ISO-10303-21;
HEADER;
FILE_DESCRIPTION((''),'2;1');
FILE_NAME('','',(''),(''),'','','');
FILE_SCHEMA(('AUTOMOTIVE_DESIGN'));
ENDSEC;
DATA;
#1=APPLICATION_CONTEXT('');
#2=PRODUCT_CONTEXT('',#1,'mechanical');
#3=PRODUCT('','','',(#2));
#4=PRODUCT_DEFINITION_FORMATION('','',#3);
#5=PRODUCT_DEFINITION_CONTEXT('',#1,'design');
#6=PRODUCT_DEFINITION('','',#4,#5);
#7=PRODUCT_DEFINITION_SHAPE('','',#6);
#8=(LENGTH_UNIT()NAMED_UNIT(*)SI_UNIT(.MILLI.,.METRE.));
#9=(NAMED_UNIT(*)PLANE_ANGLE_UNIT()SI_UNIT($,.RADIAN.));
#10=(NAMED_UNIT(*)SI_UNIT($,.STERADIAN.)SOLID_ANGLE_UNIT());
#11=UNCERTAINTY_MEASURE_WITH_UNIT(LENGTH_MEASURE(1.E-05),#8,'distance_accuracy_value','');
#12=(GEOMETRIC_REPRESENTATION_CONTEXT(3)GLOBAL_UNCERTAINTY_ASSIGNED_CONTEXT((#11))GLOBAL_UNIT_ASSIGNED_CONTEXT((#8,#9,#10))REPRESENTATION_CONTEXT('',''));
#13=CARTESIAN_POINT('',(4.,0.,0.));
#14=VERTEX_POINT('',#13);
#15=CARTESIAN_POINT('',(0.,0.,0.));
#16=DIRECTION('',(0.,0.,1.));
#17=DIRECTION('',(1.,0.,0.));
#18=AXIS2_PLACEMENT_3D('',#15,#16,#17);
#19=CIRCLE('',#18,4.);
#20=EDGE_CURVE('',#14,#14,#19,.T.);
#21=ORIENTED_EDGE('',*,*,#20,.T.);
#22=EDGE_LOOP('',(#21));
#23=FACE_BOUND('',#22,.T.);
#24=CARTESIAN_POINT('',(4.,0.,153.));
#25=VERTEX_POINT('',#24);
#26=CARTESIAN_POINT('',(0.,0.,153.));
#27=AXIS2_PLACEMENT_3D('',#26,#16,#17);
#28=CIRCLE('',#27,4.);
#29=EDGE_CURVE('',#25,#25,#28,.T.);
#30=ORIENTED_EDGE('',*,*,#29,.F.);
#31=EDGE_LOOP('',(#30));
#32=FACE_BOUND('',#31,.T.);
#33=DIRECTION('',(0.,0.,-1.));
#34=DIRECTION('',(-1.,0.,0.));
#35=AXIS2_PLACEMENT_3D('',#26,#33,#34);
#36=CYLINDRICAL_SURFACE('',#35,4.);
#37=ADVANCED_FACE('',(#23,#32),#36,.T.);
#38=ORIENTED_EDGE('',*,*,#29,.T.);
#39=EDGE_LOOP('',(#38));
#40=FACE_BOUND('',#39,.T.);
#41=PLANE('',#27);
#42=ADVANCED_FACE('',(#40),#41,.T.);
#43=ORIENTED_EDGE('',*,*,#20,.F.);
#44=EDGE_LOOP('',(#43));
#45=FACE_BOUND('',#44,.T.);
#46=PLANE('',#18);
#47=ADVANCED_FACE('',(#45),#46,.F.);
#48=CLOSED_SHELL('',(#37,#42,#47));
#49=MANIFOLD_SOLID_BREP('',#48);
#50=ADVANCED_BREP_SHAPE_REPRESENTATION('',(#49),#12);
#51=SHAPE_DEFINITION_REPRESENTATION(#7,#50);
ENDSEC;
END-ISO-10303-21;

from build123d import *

# Parameters (mm, degrees)
SKETCH1_R           = 4
BOSS_EXTRUDE1_DEPTH = 153


with BuildPart() as part:
    # Sketch1 → Boss-Extrude1 (new body)
    with BuildSketch(Plane.XY):
        Circle(SKETCH1_R)
    extrude(amount=BOSS_EXTRUDE1_DEPTH)


solid = part.part
